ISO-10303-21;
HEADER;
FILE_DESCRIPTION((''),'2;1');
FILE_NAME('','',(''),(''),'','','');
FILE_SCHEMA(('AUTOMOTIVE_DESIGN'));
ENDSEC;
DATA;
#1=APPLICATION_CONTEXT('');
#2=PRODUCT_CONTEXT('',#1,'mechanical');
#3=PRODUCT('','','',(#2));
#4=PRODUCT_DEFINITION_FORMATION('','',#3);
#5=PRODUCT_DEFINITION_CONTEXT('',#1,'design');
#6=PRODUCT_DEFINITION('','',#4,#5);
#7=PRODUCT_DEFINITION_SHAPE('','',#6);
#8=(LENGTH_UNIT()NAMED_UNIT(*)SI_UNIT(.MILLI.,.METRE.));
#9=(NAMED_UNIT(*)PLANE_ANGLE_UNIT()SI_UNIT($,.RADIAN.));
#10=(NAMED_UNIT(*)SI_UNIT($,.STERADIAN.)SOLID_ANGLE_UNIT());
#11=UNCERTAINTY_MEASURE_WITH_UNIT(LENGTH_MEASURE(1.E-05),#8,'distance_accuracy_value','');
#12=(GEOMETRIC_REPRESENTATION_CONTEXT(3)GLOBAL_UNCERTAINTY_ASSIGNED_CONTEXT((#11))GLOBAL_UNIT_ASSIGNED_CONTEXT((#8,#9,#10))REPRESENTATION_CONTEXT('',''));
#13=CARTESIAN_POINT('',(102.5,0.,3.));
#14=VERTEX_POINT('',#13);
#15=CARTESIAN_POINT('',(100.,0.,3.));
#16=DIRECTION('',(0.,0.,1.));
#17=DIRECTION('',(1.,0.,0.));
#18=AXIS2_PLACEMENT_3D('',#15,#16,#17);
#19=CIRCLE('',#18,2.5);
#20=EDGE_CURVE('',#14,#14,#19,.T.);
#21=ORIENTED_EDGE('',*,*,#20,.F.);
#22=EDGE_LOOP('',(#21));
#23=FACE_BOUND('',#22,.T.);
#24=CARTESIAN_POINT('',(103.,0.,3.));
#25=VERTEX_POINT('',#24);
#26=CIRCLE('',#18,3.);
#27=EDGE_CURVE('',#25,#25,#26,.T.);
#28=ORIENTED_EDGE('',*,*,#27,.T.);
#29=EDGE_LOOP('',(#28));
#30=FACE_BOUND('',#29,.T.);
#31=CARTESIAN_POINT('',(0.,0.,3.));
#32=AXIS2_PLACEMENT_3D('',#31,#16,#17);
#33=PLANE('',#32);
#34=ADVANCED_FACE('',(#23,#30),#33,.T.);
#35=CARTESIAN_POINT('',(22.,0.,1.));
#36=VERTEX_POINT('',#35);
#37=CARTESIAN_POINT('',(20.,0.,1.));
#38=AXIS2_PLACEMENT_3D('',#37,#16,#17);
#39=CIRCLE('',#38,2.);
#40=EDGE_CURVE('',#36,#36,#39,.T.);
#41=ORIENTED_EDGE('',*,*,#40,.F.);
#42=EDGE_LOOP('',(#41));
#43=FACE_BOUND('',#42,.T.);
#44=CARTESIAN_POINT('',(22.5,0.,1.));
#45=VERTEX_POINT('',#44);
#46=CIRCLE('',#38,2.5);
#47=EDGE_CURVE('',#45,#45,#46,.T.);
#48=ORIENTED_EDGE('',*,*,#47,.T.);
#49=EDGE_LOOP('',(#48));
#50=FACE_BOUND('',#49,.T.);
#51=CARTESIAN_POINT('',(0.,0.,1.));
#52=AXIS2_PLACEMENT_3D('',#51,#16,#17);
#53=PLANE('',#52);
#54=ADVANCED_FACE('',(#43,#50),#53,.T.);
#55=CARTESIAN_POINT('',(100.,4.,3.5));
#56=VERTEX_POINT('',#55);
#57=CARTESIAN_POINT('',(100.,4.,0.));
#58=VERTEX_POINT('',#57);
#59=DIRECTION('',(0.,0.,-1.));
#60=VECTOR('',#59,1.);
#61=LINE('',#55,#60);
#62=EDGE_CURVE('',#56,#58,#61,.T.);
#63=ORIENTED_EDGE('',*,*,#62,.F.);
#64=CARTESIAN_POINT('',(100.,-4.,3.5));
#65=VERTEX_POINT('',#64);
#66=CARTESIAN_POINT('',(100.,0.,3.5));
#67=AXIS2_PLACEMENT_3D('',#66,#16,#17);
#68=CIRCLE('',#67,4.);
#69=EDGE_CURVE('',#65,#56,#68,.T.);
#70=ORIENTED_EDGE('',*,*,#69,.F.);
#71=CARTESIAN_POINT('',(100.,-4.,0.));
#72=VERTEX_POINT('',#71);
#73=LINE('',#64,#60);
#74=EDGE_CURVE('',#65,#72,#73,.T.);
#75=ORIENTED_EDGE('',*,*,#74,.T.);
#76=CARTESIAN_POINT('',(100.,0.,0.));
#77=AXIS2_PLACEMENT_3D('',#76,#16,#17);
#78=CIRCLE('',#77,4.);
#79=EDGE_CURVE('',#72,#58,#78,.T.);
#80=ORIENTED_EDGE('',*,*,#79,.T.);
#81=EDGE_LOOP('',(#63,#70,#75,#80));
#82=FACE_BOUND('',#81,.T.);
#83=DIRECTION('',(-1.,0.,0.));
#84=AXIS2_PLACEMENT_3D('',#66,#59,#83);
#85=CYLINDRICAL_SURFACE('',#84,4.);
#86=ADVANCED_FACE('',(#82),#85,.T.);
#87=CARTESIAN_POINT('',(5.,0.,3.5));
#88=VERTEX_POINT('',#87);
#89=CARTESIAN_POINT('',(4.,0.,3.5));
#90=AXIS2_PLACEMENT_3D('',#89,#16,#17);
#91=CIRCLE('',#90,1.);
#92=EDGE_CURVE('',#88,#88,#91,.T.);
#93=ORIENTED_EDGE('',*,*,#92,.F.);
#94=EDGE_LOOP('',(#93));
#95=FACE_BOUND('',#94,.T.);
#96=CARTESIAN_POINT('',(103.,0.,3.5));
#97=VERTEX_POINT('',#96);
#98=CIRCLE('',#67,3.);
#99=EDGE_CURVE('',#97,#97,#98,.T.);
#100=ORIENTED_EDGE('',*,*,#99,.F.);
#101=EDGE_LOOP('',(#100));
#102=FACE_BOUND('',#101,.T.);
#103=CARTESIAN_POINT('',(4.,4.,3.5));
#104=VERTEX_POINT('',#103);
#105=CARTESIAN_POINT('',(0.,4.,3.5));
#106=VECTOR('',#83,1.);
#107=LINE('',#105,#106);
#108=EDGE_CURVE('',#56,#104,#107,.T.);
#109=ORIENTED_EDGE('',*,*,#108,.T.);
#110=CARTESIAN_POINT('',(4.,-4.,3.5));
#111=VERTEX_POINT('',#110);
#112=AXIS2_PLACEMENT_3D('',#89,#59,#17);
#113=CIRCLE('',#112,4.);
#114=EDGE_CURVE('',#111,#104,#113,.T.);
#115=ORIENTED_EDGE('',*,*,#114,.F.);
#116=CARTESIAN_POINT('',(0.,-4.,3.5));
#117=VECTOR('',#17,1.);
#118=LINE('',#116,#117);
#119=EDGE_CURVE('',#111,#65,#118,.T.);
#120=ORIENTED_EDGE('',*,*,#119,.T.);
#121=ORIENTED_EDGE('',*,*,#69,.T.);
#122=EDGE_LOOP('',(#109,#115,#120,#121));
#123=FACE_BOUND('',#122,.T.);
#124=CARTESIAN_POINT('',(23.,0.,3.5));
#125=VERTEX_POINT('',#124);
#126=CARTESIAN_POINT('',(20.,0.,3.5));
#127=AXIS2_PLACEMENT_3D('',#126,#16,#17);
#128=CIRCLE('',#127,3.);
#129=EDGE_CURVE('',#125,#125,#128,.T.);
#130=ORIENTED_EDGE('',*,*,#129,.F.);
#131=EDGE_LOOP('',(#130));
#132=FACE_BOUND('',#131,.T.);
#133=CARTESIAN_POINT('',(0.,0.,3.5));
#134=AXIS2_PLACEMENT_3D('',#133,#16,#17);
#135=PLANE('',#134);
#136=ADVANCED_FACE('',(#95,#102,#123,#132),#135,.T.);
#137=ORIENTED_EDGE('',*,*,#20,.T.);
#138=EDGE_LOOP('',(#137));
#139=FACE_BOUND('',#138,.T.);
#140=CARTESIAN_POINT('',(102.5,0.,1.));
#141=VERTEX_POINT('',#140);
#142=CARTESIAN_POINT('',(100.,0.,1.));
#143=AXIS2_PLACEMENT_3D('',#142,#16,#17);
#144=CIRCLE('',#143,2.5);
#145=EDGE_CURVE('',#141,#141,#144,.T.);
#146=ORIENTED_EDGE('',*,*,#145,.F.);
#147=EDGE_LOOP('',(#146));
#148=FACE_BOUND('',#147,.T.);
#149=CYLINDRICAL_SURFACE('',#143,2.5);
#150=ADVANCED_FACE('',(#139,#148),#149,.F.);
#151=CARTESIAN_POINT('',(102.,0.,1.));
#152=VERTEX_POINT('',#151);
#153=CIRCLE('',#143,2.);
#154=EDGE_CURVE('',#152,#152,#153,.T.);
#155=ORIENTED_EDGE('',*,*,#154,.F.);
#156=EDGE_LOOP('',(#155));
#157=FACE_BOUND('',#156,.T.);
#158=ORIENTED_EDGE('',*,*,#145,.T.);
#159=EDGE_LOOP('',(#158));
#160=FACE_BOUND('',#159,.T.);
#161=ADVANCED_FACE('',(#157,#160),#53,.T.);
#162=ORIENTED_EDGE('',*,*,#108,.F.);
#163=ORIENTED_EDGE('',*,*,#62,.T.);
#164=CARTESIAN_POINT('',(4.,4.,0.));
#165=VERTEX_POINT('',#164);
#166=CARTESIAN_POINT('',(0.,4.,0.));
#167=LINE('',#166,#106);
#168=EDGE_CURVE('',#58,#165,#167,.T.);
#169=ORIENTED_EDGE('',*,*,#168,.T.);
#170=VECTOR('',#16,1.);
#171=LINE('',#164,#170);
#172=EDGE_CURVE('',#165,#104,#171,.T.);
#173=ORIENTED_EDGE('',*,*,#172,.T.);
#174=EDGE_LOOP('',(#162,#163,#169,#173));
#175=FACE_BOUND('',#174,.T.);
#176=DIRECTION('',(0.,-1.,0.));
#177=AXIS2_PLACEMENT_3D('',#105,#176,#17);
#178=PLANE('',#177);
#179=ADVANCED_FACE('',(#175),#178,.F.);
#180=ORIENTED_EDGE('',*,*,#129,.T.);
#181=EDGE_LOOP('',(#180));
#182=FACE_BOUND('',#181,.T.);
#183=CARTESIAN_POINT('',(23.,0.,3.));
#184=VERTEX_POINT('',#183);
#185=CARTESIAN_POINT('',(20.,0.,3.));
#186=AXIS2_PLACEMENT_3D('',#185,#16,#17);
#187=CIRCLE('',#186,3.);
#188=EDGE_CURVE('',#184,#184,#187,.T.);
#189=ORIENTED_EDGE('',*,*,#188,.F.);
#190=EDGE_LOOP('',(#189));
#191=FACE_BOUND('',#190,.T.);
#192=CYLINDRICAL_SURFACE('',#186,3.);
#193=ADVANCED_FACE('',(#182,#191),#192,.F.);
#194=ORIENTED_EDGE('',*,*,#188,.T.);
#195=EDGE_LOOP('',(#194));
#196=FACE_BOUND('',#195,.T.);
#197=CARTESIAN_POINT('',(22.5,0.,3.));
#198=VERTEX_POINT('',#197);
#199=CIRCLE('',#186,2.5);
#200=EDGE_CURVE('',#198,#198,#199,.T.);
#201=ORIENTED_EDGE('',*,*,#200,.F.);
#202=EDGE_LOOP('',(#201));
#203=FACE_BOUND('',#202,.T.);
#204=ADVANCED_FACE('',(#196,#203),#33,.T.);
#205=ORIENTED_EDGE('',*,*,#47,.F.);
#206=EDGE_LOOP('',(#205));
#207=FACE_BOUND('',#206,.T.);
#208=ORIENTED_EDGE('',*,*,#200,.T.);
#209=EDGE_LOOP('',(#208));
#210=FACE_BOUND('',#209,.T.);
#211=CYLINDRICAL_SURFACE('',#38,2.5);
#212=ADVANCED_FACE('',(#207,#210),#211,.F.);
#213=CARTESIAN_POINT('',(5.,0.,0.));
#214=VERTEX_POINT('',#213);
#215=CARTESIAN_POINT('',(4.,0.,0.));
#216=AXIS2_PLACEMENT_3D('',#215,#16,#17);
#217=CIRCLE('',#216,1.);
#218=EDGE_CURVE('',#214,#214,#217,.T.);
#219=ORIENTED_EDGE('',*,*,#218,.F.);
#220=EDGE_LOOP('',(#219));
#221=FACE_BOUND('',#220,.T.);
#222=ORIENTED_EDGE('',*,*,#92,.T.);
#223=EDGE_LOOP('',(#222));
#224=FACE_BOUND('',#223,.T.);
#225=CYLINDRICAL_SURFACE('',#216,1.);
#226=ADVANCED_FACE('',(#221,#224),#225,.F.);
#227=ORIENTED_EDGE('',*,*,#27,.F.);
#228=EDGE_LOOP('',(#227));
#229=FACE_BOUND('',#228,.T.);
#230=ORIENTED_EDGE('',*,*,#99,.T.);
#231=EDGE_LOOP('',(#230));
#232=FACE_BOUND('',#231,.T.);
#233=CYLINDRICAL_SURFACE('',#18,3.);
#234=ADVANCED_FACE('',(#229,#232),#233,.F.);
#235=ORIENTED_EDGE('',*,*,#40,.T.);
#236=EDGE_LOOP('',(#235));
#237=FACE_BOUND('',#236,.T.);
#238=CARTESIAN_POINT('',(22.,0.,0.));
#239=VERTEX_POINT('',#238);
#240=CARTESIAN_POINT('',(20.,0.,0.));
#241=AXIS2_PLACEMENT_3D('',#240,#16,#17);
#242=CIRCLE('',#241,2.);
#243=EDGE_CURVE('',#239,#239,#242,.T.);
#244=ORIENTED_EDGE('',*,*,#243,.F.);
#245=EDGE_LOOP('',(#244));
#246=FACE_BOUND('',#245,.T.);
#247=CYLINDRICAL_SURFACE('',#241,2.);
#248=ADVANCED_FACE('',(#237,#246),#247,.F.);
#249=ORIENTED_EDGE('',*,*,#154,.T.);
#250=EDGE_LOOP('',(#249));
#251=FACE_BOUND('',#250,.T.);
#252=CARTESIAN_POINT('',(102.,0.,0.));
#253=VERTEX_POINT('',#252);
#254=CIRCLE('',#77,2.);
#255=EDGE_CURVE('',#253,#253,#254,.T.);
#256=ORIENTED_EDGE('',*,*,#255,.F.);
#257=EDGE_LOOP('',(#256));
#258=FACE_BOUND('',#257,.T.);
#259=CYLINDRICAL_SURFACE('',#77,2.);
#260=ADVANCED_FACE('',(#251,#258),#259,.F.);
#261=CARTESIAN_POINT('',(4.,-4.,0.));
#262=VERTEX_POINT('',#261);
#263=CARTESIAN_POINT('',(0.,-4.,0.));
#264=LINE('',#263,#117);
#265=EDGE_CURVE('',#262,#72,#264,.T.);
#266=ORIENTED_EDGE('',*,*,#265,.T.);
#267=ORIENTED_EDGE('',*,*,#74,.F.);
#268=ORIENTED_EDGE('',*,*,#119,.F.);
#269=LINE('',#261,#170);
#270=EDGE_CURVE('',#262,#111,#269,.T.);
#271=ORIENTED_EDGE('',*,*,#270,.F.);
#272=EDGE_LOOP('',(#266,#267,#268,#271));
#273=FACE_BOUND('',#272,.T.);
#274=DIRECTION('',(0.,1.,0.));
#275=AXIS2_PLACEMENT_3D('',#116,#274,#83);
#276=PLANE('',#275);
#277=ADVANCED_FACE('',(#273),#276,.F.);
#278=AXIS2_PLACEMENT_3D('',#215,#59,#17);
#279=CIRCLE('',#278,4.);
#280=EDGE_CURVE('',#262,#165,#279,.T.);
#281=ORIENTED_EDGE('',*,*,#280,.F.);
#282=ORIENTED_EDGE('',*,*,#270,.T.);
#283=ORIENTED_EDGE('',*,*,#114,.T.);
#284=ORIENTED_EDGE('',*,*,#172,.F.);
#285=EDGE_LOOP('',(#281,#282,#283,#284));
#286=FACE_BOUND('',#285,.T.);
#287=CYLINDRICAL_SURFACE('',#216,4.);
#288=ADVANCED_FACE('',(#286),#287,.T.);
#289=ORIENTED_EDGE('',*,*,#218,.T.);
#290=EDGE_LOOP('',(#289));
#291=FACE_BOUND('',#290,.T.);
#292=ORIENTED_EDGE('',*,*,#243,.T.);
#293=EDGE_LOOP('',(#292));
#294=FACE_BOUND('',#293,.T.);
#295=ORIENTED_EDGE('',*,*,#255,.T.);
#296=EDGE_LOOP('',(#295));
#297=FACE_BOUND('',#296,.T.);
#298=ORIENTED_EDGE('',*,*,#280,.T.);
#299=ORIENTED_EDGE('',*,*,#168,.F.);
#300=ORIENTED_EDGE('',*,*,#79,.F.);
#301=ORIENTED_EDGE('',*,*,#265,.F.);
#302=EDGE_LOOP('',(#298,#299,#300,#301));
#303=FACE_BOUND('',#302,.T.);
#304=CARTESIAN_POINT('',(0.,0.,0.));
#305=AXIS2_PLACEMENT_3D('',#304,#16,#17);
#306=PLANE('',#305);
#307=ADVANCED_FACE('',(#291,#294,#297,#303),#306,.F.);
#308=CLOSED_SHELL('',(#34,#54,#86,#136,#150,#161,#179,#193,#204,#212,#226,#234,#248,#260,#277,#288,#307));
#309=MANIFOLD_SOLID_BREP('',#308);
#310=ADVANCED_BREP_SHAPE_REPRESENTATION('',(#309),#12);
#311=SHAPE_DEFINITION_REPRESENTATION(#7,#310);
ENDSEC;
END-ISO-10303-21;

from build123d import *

# Parameters (mm, degrees)
EXTRUDE_1_DEPTH     = 3.5
SKETCH_2_R          = 2
CUT_EXTRUDE_1_DEPTH = 105.135728739
SKETCH_2_3_R        = 2.5
SKETCH_2_3_R_2      = 2
CUT_EXTRUDE_2_DEPTH = 2.5
SKETCH_2_4_R        = 3
SKETCH_2_4_R_2      = 2.5
CUT_EXTRUDE_3_DEPTH = 0.5
CUT_EXTRUDE_4_DEPTH = 105.135728739
CUT_EXTRUDE_5_DEPTH = 2.5
CUT_EXTRUDE_6_DEPTH = 0.5
SKETCH_5_R          = 1
CUT_EXTRUDE_8_DEPTH = 105.135728739
CUT_EXTRUDE_9_DEPTH = 105.135728739


with BuildPart() as part:
    # 草图1 → 凸台-拉伸1 (new body)
    with BuildSketch(Plane.XY):
        with BuildLine():
            Line((0, 4), (100, 4))
            ThreePointArc((100, 4), (104, 0), (100, -4))
            Line((100, -4), (0, -4))
            ThreePointArc((0, -4), (-4, 0), (0, 4))
        make_face()
    extrude(amount=EXTRUDE_1_DEPTH)

    # 草图2 → 切除-拉伸1 (cut, through all)
    with BuildSketch(Plane.XY.offset(3.5)):
        with Locations((100, 0)):
            Circle(SKETCH_2_R)
    extrude(amount=-CUT_EXTRUDE_1_DEPTH, mode=Mode.SUBTRACT)

    # 草图2<3> → 切除-拉伸2 (cut)
    with BuildSketch(Plane.XY.offset(3.5)):
        with Locations((100, 0)):
            Circle(SKETCH_2_3_R)
        with Locations((100, 0)):
            Circle(SKETCH_2_3_R_2, mode=Mode.SUBTRACT)
    extrude(amount=-CUT_EXTRUDE_2_DEPTH, mode=Mode.SUBTRACT)

    # 草图2<4> → 切除-拉伸3 (cut)
    with BuildSketch(Plane.XY.offset(3.5)):
        with Locations((100, 0)):
            Circle(SKETCH_2_4_R)
        with Locations((100, 0)):
            Circle(SKETCH_2_4_R_2, mode=Mode.SUBTRACT)
    extrude(amount=-CUT_EXTRUDE_3_DEPTH, mode=Mode.SUBTRACT)

    # 草图3 → 切除-拉伸4 (cut, through all)
    with BuildSketch(Plane.XY.offset(3.5)):
        with BuildLine():
            ThreePointArc((22, 0), (20, 2), (18, 0))
            ThreePointArc((18, 0), (20, -2), (22, 0))
        make_face()
    extrude(amount=-CUT_EXTRUDE_4_DEPTH, mode=Mode.SUBTRACT)

    # 草图3<3> → 切除-拉伸5 (cut)
    with BuildSketch(Plane.XY.offset(3.5)):
        with BuildLine():
            ThreePointArc((22.5, 0), (20, 2.5), (17.5, 0))
            ThreePointArc((17.5, 0), (20, -2.5), (22.5, 0))
        make_face()
        with BuildLine():
            ThreePointArc((22, 0), (20, -2), (18, 0))
            ThreePointArc((18, 0), (20, 2), (22, 0))
        make_face(mode=Mode.SUBTRACT)
    extrude(amount=-CUT_EXTRUDE_5_DEPTH, mode=Mode.SUBTRACT)

    # 草图3<4> → 切除-拉伸6 (cut)
    with BuildSketch(Plane.XY.offset(3.5)):
        with BuildLine():
            ThreePointArc((23, 0), (20, 3), (17, 0))
            ThreePointArc((17, 0), (20, -3), (23, 0))
        make_face()
        with BuildLine():
            ThreePointArc((22.5, 0), (20, -2.5), (17.5, 0))
            ThreePointArc((17.5, 0), (20, 2.5), (22.5, 0))
        make_face(mode=Mode.SUBTRACT)
    extrude(amount=-CUT_EXTRUDE_6_DEPTH, mode=Mode.SUBTRACT)

    # 草图5 → 切除-拉伸8 (cut, through all)
    with BuildSketch(Plane.XY.offset(3.5)):
        with Locations((4, 0)):
            Circle(SKETCH_5_R)
    extrude(amount=-CUT_EXTRUDE_8_DEPTH, mode=Mode.SUBTRACT)

    # 草图6 → 切除-拉伸9 (cut, through all)
    with BuildSketch(Plane.XY.offset(3.5)):
        with BuildLine():
            Line((0, 4), (4, 4))
            ThreePointArc((4, 4), (0, 0), (4, -4))
            Line((4, -4), (0, -4))
            ThreePointArc((0, -4), (-4, 0), (0, 4))
        make_face()
    extrude(amount=-CUT_EXTRUDE_9_DEPTH, mode=Mode.SUBTRACT)


solid = part.part
